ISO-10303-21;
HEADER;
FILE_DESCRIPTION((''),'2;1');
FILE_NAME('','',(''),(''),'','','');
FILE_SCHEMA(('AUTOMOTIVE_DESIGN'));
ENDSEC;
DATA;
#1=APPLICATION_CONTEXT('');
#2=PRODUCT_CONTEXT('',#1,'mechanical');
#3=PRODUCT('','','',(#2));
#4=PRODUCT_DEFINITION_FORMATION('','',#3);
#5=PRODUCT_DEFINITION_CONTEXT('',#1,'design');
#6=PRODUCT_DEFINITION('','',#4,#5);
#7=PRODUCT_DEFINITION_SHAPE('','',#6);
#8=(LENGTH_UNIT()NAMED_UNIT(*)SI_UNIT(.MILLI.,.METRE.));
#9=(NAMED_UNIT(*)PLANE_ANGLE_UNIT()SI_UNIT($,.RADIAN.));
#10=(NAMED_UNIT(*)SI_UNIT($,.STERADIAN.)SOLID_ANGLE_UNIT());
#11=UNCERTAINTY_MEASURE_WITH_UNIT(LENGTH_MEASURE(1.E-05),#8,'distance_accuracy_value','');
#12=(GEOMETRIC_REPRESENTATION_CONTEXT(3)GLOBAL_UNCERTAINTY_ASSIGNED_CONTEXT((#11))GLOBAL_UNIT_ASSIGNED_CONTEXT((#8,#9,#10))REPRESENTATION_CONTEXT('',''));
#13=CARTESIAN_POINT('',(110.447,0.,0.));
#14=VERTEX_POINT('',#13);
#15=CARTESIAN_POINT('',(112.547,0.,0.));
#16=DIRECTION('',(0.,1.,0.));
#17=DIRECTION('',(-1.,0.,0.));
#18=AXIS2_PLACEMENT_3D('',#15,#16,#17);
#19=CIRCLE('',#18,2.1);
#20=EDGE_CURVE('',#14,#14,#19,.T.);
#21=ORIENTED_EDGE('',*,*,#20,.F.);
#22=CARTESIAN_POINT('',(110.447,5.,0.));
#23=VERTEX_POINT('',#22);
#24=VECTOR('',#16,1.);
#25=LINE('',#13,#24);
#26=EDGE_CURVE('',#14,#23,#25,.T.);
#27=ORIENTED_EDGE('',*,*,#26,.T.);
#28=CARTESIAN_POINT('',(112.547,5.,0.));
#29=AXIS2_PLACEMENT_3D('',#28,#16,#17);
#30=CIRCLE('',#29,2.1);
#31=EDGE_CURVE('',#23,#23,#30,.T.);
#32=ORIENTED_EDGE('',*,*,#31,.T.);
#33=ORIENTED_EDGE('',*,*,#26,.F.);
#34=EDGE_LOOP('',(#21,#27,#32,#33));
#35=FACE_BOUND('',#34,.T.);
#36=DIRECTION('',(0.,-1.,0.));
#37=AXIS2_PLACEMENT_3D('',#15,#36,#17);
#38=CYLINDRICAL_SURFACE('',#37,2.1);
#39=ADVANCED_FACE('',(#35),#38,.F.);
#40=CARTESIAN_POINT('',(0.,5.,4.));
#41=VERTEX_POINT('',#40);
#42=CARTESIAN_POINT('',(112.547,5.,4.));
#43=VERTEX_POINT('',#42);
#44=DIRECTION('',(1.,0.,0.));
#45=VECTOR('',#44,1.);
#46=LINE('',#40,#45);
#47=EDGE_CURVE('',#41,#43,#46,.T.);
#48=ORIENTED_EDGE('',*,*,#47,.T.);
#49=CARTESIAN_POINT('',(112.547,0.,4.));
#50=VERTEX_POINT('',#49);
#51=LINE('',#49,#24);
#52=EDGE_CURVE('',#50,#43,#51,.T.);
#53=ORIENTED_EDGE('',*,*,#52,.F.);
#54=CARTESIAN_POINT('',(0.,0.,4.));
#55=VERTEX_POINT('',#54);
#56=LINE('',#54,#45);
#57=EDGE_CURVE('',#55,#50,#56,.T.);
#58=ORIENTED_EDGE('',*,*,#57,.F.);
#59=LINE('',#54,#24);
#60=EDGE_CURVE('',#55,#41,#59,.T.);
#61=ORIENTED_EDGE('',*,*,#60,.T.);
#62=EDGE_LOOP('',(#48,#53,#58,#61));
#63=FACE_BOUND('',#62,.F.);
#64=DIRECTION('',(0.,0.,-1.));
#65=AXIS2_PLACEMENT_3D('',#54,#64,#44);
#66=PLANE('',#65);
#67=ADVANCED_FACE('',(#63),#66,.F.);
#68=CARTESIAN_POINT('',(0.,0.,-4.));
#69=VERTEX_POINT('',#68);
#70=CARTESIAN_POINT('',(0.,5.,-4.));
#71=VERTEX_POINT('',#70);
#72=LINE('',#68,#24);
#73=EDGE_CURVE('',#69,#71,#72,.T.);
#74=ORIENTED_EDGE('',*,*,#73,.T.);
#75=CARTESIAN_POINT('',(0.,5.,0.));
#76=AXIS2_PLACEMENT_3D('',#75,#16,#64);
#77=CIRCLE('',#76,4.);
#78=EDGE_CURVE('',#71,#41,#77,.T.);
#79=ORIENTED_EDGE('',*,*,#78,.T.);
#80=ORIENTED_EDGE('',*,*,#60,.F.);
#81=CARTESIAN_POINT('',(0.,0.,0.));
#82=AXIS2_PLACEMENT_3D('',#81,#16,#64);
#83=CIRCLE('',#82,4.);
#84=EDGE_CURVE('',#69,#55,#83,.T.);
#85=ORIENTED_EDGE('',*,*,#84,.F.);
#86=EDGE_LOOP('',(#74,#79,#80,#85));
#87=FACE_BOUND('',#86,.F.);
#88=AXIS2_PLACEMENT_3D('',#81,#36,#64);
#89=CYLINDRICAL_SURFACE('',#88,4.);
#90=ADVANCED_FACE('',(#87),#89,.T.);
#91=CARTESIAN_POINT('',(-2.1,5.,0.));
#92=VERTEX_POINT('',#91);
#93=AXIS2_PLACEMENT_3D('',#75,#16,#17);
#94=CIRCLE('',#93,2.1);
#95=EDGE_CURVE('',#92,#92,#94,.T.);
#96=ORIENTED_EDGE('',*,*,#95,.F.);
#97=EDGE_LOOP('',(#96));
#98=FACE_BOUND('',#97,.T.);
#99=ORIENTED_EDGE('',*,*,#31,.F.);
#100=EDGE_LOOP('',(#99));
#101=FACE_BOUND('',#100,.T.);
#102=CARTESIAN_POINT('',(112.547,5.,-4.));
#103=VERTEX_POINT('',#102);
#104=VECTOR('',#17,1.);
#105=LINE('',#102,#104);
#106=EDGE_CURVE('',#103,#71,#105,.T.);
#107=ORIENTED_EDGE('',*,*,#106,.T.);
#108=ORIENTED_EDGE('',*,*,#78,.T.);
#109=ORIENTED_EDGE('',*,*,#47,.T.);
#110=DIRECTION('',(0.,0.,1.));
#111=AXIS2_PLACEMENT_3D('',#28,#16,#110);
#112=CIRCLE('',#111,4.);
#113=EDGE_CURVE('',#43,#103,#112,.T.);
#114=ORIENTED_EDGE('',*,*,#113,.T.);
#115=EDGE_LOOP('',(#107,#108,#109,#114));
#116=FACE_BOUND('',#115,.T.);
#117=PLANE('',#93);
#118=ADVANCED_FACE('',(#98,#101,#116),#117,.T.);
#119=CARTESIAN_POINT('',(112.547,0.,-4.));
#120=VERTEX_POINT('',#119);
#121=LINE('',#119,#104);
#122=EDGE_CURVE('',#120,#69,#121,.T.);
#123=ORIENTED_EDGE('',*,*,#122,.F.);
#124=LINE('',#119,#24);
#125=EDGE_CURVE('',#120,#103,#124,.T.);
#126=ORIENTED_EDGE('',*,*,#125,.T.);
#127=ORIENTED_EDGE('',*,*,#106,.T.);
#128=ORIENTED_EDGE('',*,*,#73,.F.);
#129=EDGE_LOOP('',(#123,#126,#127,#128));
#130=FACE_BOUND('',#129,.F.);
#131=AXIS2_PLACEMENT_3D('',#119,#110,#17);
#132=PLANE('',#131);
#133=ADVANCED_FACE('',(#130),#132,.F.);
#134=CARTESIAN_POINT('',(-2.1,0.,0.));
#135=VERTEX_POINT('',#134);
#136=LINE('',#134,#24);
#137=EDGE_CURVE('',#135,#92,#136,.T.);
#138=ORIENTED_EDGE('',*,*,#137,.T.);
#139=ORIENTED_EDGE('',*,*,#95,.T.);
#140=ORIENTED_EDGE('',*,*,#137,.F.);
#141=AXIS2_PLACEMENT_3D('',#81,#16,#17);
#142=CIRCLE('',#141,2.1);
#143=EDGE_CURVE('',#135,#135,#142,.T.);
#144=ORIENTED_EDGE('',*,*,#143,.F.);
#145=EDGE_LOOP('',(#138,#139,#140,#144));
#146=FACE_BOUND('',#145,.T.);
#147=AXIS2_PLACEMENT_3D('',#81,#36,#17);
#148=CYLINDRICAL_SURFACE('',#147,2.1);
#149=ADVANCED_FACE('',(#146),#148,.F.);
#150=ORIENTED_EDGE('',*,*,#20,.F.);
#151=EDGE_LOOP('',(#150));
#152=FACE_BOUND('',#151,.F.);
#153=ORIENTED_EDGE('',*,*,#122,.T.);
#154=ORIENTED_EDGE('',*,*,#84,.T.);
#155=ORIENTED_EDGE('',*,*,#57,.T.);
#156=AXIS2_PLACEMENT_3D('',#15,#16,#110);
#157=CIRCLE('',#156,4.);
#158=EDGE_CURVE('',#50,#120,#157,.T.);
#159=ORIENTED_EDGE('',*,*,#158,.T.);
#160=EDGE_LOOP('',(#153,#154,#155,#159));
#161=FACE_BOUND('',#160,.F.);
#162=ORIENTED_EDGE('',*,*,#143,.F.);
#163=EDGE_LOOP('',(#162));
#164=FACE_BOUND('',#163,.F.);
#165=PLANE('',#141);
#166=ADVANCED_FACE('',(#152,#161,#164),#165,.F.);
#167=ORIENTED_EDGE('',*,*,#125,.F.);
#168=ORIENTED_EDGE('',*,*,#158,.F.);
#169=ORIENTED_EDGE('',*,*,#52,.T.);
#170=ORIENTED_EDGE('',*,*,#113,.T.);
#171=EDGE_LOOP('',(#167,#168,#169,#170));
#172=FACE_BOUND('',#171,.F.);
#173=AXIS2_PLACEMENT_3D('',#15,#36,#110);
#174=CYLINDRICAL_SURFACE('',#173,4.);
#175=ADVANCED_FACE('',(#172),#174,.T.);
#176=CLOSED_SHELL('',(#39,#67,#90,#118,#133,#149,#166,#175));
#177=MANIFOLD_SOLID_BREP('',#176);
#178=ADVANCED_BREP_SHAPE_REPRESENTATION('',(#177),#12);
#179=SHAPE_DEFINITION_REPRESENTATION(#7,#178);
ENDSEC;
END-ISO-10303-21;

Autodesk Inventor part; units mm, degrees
ref_plane "YZ Plane" through (0, 0, 0) normal (1, 0, 0) x (0, 1, 0)
ref_plane "XZ Plane" through (0, 0, 0) normal (0, 1, 0) x (-1, 0, 0)
ref_plane "XY Plane" through (0, 0, 0) normal (0, 0, 1) x (1, 0, 0)
sketch "Sketch1" plane through (0, 0, 0) normal (0, 1, 0) x (-1, 0, 0)
  line L0 (0, 0) -> (-112.547, 0) construction
  line L1 (0, 4) -> (-112.547, 4)
  line L2 (-112.547, -4) -> (0, -4)
  arc A0 (0, -4) -> (0, 4) centre (0, 0) ccw
  arc A1 (-112.547, 4) -> (-112.547, -4) centre (-112.547, 0) ccw
  circle A2 centre (0, 0) radius 2.1
  circle A3 centre (-112.547, 0) radius 2.1
  point P0 (-56.2735, 0)
  point P1 (-52.7225, 0)
  dimension "d0" = 112.547
  dimension "d1" = 8
  dimension "d2" = 4.2
  dimension "d10" = 4.2
extrude "Extrusion1" add sketch "Sketch1" along normal blind 5
